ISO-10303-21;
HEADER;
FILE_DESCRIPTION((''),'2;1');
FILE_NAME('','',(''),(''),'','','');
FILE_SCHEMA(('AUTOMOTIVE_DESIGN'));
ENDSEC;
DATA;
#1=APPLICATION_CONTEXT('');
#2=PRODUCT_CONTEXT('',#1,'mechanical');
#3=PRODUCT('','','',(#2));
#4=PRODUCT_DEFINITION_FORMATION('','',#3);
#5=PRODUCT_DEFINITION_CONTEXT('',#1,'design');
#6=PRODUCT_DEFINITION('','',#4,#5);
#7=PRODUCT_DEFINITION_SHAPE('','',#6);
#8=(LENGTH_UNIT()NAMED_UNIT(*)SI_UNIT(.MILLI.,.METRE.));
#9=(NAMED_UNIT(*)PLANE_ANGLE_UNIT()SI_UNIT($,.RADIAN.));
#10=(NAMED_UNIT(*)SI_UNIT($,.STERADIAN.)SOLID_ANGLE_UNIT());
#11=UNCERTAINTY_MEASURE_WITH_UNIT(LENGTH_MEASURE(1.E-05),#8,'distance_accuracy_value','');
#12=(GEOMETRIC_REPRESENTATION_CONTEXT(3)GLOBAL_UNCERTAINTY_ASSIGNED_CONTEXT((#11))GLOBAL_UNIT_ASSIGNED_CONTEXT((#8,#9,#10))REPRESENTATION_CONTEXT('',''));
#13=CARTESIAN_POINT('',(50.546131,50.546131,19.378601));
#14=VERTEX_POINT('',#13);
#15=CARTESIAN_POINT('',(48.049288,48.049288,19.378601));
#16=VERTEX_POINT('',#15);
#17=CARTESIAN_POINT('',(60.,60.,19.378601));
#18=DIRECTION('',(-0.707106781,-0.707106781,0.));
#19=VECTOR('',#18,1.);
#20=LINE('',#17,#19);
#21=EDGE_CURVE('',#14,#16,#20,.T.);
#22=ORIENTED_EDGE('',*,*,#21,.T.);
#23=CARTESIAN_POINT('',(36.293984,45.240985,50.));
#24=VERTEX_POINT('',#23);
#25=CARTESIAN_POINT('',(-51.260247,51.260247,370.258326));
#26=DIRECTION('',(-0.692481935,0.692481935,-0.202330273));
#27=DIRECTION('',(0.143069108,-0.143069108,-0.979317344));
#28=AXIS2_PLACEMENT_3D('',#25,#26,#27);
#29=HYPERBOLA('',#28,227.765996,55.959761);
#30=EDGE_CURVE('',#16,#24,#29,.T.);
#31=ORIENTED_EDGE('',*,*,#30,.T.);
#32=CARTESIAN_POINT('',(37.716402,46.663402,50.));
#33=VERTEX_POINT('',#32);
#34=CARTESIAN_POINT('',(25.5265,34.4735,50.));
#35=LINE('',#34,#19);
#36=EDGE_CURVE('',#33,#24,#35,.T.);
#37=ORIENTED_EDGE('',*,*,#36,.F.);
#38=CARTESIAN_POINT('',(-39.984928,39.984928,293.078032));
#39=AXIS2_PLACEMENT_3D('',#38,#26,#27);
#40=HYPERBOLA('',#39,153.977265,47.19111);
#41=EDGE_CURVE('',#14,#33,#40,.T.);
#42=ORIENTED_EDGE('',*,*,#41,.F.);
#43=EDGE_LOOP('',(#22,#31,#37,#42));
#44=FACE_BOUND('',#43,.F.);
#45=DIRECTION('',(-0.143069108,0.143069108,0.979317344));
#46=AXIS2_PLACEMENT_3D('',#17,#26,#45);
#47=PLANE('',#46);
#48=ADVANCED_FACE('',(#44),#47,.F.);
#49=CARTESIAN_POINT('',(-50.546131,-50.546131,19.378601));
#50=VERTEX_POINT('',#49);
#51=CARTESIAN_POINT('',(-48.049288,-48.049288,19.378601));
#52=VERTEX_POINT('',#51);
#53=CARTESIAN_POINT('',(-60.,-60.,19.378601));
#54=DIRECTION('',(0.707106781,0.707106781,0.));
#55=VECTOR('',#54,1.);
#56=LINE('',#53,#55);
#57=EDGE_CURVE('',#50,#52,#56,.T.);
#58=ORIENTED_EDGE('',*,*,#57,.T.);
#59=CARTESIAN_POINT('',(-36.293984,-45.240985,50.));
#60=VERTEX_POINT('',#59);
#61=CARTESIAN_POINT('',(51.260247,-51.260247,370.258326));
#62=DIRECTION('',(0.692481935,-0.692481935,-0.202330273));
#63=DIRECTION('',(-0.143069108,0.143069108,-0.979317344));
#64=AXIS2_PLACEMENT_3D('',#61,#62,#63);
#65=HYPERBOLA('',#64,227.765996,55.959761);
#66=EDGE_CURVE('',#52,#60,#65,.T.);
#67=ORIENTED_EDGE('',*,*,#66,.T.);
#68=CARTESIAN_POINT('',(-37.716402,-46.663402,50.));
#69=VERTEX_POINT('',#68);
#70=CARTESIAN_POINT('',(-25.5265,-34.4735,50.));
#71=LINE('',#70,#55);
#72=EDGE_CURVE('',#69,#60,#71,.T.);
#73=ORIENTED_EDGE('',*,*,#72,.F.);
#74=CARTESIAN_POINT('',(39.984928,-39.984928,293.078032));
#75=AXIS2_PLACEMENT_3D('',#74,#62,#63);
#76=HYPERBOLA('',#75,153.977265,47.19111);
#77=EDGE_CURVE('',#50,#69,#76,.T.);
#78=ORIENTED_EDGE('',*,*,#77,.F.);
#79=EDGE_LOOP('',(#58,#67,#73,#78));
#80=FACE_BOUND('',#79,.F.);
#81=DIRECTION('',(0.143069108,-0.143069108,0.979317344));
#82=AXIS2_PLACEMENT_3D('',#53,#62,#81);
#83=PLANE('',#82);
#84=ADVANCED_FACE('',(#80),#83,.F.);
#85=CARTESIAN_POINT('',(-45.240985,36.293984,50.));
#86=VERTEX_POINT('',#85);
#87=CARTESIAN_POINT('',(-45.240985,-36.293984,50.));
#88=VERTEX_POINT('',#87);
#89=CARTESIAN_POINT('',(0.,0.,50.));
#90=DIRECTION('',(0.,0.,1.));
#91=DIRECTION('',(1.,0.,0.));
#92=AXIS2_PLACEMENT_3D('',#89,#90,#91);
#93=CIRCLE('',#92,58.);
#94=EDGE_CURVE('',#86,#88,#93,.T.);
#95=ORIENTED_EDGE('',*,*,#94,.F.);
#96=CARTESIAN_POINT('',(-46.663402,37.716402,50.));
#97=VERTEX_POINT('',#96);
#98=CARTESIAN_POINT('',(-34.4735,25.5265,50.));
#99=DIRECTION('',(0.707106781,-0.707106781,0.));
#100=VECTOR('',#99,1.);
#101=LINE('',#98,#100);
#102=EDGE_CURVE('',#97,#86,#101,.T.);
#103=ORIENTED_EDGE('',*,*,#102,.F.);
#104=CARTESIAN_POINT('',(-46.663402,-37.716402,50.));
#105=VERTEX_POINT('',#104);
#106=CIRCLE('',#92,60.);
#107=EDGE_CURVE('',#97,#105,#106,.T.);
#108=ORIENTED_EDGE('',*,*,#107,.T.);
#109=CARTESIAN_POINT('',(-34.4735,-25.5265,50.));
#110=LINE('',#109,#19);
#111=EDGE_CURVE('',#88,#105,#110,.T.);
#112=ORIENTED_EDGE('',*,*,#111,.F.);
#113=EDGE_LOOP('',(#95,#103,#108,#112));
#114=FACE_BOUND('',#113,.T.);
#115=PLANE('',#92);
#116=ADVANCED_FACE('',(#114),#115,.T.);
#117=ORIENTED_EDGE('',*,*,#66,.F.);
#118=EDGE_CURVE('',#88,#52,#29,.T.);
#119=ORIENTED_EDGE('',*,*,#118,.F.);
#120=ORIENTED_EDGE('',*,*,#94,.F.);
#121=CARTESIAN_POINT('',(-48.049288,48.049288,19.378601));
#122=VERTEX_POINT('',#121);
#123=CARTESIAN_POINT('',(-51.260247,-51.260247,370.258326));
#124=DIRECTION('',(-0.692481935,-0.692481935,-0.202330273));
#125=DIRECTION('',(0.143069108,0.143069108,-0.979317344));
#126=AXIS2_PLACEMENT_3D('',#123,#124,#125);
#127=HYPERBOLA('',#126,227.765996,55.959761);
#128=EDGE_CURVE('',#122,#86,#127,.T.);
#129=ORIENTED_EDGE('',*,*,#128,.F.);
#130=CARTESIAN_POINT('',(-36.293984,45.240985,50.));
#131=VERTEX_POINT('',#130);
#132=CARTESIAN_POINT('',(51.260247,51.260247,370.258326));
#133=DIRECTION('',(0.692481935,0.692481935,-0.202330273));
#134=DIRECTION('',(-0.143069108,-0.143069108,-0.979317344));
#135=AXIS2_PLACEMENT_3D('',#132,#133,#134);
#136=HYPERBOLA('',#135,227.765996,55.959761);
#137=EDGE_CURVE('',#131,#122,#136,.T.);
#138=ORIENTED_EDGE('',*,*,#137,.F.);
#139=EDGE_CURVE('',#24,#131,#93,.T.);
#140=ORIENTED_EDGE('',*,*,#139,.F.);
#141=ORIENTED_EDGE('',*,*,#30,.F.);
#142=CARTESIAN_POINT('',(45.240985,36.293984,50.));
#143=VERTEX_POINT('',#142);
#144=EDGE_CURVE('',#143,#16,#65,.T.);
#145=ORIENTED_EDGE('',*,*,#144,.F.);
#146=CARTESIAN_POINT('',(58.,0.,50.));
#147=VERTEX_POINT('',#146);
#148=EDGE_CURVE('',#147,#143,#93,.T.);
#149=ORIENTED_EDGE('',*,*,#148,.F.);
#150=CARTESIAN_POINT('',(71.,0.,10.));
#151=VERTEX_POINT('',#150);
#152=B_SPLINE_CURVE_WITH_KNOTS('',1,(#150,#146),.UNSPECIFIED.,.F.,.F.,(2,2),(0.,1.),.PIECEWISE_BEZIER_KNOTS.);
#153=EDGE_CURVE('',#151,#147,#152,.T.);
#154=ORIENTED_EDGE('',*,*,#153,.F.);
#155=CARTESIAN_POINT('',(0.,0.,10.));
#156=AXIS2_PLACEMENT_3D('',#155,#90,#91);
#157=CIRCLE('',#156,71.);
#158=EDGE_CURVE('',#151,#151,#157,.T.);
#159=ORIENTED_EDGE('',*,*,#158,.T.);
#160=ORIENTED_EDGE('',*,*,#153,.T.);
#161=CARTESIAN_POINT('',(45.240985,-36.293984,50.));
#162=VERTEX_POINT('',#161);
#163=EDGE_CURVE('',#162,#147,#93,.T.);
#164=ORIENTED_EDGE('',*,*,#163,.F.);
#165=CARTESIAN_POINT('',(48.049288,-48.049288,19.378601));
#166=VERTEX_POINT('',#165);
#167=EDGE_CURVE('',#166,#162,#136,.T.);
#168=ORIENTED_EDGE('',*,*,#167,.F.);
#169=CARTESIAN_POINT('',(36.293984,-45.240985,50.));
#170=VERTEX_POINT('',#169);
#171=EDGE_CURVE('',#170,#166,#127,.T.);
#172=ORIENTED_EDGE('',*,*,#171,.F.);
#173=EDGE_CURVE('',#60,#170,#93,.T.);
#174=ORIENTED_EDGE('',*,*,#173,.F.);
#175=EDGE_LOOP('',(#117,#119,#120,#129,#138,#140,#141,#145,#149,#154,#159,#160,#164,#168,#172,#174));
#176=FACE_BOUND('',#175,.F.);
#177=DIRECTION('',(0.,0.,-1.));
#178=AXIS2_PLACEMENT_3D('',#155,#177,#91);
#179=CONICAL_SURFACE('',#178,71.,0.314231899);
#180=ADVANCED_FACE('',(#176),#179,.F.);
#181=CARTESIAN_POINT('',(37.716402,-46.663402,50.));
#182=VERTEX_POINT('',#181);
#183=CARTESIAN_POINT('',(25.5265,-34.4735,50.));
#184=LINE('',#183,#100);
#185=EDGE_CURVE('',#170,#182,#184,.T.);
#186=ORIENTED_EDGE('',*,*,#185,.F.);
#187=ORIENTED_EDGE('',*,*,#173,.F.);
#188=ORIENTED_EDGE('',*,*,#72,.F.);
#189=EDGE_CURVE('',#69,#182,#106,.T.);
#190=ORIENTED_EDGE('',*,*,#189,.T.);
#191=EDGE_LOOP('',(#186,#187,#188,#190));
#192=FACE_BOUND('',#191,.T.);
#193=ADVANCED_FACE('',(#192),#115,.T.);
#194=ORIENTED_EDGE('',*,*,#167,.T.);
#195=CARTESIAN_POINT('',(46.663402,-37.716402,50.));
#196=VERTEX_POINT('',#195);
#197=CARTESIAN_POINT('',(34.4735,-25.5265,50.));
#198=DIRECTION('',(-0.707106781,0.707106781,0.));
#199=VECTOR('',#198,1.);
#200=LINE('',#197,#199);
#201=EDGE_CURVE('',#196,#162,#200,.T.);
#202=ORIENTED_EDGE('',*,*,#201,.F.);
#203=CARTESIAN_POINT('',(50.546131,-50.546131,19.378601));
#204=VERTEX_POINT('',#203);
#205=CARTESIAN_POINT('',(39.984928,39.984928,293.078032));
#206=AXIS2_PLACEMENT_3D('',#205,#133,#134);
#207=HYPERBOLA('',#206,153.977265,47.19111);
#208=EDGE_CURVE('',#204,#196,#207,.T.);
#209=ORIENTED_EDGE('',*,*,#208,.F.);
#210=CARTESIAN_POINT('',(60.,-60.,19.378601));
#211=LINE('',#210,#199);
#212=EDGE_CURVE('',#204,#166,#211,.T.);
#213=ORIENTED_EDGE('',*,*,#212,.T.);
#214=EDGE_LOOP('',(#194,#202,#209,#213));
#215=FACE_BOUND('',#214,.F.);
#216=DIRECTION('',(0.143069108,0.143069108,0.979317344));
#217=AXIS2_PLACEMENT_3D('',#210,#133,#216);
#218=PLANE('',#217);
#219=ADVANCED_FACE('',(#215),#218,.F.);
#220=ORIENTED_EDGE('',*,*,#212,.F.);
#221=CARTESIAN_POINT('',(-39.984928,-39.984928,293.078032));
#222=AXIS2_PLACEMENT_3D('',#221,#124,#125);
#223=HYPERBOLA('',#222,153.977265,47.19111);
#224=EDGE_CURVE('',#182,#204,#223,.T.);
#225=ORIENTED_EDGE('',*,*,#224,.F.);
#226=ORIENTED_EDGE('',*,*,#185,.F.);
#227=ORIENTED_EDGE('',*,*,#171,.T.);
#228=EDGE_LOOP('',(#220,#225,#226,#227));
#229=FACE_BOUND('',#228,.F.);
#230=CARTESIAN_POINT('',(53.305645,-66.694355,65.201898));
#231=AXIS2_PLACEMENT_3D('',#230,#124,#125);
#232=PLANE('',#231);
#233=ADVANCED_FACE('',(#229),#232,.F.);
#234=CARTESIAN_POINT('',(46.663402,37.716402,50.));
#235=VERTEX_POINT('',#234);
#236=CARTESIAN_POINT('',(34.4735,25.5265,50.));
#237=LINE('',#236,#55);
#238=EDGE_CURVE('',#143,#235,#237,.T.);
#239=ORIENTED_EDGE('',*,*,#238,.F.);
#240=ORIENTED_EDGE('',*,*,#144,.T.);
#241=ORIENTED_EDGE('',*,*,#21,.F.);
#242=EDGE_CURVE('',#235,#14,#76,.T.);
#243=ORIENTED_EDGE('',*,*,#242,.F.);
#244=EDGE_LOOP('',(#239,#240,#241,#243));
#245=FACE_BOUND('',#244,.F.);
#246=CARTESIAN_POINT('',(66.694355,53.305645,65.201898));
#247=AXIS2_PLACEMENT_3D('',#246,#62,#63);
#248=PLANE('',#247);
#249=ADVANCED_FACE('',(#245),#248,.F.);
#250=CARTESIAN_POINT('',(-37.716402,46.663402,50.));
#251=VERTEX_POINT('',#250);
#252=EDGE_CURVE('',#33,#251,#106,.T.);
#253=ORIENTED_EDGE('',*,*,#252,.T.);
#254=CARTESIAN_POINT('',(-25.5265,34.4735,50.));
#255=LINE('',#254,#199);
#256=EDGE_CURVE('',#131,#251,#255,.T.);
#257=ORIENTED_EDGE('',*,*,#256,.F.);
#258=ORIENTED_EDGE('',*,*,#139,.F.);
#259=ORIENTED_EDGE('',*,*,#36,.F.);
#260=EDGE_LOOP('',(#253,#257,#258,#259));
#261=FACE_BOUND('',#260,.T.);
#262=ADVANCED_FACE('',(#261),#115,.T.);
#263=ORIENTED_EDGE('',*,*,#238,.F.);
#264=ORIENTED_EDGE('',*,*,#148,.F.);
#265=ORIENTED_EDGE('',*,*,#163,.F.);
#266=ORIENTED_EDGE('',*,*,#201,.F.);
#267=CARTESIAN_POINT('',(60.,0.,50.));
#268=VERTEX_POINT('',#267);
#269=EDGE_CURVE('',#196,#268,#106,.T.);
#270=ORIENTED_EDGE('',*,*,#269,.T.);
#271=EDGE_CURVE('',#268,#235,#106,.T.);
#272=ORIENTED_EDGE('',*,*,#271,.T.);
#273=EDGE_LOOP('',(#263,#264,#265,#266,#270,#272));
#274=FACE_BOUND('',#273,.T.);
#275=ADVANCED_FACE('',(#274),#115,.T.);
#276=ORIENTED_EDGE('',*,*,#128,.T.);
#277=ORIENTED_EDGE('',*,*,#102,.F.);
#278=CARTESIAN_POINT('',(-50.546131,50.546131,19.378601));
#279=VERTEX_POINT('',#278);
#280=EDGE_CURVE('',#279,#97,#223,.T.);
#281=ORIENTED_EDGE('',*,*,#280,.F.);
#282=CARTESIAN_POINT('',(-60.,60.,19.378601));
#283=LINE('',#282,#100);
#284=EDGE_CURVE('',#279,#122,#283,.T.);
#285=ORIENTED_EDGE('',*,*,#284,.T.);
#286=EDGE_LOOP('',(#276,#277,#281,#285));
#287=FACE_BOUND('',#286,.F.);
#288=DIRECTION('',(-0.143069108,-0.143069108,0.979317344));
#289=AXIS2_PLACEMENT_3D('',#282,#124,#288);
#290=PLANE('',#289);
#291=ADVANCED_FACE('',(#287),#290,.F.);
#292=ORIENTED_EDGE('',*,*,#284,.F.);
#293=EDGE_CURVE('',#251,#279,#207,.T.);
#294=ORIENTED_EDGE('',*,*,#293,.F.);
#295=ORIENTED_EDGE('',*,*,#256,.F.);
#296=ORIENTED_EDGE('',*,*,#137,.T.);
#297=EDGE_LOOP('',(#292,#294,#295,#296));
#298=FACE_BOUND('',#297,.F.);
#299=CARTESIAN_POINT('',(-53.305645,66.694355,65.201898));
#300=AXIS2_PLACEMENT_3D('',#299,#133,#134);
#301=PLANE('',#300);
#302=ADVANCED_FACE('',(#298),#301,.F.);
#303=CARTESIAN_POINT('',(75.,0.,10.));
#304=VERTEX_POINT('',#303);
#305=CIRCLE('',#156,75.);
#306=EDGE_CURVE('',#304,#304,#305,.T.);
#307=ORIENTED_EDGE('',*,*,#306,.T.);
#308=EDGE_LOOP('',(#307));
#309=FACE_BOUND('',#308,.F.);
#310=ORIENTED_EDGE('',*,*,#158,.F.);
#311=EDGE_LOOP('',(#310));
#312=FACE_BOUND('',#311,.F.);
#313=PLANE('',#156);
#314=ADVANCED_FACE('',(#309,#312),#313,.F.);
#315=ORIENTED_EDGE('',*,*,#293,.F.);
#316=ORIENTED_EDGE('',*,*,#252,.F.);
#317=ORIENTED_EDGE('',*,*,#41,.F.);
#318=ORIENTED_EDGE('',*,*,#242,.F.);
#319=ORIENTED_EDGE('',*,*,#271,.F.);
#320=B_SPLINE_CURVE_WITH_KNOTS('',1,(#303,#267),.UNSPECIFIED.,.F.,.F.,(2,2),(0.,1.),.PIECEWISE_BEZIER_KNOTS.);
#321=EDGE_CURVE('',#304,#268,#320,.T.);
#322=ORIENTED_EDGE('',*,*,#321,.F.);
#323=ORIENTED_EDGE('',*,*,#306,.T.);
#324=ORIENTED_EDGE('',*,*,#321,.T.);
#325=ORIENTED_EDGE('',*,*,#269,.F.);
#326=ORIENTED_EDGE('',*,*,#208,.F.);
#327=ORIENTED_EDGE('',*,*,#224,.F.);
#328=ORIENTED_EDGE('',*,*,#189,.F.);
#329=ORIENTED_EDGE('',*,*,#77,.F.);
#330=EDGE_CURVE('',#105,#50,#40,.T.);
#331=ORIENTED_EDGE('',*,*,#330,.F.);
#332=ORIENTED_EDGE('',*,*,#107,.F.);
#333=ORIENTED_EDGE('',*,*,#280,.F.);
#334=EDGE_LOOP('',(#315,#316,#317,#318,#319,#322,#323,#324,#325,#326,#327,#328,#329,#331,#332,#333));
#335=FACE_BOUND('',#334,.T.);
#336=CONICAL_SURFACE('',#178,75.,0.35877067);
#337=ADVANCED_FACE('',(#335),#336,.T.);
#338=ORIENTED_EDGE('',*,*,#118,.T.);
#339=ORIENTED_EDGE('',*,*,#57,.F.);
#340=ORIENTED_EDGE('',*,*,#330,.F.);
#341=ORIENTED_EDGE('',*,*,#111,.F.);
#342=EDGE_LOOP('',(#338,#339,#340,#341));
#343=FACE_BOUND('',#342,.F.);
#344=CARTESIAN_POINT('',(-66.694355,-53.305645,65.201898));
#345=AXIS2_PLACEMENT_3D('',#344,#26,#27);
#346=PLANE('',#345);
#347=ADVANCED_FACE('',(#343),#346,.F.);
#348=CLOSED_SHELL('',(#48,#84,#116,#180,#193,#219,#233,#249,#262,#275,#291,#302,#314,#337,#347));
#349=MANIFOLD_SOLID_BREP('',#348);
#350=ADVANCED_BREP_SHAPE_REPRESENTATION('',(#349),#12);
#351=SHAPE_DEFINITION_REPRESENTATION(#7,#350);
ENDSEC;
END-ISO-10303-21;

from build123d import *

# Parameters (mm, degrees)
SKETCH027_R           = 71
SKETCH028_R           = 58
SKETCH025_R           = 75
SKETCH026_R           = 60
POCKET005_DEPTH       = 31
POLARPATTERN007_COUNT = 4


with BuildPart() as loft001:
    # Sketch027 → Loft001 section 0
    with BuildSketch(Plane.XY.offset(10)):
        Circle(SKETCH027_R)
    # Sketch028 → Loft001 section 1
    with BuildSketch(Plane.XY.offset(50)):
        Circle(SKETCH028_R)
    loft()


with BuildPart() as support:
    # Sketch025 → Loft section 0
    with BuildSketch(Plane.XY.offset(10)):
        Circle(SKETCH025_R)
    # Sketch026 → Loft section 1
    with BuildSketch(Plane.XY.offset(50)):
        Circle(SKETCH026_R)
    loft()

    # Cut: cut Loft001
    add(loft001.part, mode=Mode.SUBTRACT)

    # Sketch029 → Pocket005 (cut)
    with BuildSketch(Plane(origin=(-60, -60, 0), x_dir=(-0.707107, 0.707107, 0), z_dir=(0.707107, 0.707107, 0))):
        Polygon((9.467248, 65.201898), (0, 19.378601), (-9.467248, 65.201898), align=None)
    pocket005 = extrude(amount=POCKET005_DEPTH, mode=Mode.SUBTRACT)

    # PolarPattern007: Pocket005 ×4 about axis
    polarpattern007_axis = Axis((0, 0, 0), (0, 0, 1))
    for i in range(1, POLARPATTERN007_COUNT):
        add(pocket005.rotate(polarpattern007_axis, i * 360 / POLARPATTERN007_COUNT), mode=Mode.SUBTRACT)


solid = support.part
